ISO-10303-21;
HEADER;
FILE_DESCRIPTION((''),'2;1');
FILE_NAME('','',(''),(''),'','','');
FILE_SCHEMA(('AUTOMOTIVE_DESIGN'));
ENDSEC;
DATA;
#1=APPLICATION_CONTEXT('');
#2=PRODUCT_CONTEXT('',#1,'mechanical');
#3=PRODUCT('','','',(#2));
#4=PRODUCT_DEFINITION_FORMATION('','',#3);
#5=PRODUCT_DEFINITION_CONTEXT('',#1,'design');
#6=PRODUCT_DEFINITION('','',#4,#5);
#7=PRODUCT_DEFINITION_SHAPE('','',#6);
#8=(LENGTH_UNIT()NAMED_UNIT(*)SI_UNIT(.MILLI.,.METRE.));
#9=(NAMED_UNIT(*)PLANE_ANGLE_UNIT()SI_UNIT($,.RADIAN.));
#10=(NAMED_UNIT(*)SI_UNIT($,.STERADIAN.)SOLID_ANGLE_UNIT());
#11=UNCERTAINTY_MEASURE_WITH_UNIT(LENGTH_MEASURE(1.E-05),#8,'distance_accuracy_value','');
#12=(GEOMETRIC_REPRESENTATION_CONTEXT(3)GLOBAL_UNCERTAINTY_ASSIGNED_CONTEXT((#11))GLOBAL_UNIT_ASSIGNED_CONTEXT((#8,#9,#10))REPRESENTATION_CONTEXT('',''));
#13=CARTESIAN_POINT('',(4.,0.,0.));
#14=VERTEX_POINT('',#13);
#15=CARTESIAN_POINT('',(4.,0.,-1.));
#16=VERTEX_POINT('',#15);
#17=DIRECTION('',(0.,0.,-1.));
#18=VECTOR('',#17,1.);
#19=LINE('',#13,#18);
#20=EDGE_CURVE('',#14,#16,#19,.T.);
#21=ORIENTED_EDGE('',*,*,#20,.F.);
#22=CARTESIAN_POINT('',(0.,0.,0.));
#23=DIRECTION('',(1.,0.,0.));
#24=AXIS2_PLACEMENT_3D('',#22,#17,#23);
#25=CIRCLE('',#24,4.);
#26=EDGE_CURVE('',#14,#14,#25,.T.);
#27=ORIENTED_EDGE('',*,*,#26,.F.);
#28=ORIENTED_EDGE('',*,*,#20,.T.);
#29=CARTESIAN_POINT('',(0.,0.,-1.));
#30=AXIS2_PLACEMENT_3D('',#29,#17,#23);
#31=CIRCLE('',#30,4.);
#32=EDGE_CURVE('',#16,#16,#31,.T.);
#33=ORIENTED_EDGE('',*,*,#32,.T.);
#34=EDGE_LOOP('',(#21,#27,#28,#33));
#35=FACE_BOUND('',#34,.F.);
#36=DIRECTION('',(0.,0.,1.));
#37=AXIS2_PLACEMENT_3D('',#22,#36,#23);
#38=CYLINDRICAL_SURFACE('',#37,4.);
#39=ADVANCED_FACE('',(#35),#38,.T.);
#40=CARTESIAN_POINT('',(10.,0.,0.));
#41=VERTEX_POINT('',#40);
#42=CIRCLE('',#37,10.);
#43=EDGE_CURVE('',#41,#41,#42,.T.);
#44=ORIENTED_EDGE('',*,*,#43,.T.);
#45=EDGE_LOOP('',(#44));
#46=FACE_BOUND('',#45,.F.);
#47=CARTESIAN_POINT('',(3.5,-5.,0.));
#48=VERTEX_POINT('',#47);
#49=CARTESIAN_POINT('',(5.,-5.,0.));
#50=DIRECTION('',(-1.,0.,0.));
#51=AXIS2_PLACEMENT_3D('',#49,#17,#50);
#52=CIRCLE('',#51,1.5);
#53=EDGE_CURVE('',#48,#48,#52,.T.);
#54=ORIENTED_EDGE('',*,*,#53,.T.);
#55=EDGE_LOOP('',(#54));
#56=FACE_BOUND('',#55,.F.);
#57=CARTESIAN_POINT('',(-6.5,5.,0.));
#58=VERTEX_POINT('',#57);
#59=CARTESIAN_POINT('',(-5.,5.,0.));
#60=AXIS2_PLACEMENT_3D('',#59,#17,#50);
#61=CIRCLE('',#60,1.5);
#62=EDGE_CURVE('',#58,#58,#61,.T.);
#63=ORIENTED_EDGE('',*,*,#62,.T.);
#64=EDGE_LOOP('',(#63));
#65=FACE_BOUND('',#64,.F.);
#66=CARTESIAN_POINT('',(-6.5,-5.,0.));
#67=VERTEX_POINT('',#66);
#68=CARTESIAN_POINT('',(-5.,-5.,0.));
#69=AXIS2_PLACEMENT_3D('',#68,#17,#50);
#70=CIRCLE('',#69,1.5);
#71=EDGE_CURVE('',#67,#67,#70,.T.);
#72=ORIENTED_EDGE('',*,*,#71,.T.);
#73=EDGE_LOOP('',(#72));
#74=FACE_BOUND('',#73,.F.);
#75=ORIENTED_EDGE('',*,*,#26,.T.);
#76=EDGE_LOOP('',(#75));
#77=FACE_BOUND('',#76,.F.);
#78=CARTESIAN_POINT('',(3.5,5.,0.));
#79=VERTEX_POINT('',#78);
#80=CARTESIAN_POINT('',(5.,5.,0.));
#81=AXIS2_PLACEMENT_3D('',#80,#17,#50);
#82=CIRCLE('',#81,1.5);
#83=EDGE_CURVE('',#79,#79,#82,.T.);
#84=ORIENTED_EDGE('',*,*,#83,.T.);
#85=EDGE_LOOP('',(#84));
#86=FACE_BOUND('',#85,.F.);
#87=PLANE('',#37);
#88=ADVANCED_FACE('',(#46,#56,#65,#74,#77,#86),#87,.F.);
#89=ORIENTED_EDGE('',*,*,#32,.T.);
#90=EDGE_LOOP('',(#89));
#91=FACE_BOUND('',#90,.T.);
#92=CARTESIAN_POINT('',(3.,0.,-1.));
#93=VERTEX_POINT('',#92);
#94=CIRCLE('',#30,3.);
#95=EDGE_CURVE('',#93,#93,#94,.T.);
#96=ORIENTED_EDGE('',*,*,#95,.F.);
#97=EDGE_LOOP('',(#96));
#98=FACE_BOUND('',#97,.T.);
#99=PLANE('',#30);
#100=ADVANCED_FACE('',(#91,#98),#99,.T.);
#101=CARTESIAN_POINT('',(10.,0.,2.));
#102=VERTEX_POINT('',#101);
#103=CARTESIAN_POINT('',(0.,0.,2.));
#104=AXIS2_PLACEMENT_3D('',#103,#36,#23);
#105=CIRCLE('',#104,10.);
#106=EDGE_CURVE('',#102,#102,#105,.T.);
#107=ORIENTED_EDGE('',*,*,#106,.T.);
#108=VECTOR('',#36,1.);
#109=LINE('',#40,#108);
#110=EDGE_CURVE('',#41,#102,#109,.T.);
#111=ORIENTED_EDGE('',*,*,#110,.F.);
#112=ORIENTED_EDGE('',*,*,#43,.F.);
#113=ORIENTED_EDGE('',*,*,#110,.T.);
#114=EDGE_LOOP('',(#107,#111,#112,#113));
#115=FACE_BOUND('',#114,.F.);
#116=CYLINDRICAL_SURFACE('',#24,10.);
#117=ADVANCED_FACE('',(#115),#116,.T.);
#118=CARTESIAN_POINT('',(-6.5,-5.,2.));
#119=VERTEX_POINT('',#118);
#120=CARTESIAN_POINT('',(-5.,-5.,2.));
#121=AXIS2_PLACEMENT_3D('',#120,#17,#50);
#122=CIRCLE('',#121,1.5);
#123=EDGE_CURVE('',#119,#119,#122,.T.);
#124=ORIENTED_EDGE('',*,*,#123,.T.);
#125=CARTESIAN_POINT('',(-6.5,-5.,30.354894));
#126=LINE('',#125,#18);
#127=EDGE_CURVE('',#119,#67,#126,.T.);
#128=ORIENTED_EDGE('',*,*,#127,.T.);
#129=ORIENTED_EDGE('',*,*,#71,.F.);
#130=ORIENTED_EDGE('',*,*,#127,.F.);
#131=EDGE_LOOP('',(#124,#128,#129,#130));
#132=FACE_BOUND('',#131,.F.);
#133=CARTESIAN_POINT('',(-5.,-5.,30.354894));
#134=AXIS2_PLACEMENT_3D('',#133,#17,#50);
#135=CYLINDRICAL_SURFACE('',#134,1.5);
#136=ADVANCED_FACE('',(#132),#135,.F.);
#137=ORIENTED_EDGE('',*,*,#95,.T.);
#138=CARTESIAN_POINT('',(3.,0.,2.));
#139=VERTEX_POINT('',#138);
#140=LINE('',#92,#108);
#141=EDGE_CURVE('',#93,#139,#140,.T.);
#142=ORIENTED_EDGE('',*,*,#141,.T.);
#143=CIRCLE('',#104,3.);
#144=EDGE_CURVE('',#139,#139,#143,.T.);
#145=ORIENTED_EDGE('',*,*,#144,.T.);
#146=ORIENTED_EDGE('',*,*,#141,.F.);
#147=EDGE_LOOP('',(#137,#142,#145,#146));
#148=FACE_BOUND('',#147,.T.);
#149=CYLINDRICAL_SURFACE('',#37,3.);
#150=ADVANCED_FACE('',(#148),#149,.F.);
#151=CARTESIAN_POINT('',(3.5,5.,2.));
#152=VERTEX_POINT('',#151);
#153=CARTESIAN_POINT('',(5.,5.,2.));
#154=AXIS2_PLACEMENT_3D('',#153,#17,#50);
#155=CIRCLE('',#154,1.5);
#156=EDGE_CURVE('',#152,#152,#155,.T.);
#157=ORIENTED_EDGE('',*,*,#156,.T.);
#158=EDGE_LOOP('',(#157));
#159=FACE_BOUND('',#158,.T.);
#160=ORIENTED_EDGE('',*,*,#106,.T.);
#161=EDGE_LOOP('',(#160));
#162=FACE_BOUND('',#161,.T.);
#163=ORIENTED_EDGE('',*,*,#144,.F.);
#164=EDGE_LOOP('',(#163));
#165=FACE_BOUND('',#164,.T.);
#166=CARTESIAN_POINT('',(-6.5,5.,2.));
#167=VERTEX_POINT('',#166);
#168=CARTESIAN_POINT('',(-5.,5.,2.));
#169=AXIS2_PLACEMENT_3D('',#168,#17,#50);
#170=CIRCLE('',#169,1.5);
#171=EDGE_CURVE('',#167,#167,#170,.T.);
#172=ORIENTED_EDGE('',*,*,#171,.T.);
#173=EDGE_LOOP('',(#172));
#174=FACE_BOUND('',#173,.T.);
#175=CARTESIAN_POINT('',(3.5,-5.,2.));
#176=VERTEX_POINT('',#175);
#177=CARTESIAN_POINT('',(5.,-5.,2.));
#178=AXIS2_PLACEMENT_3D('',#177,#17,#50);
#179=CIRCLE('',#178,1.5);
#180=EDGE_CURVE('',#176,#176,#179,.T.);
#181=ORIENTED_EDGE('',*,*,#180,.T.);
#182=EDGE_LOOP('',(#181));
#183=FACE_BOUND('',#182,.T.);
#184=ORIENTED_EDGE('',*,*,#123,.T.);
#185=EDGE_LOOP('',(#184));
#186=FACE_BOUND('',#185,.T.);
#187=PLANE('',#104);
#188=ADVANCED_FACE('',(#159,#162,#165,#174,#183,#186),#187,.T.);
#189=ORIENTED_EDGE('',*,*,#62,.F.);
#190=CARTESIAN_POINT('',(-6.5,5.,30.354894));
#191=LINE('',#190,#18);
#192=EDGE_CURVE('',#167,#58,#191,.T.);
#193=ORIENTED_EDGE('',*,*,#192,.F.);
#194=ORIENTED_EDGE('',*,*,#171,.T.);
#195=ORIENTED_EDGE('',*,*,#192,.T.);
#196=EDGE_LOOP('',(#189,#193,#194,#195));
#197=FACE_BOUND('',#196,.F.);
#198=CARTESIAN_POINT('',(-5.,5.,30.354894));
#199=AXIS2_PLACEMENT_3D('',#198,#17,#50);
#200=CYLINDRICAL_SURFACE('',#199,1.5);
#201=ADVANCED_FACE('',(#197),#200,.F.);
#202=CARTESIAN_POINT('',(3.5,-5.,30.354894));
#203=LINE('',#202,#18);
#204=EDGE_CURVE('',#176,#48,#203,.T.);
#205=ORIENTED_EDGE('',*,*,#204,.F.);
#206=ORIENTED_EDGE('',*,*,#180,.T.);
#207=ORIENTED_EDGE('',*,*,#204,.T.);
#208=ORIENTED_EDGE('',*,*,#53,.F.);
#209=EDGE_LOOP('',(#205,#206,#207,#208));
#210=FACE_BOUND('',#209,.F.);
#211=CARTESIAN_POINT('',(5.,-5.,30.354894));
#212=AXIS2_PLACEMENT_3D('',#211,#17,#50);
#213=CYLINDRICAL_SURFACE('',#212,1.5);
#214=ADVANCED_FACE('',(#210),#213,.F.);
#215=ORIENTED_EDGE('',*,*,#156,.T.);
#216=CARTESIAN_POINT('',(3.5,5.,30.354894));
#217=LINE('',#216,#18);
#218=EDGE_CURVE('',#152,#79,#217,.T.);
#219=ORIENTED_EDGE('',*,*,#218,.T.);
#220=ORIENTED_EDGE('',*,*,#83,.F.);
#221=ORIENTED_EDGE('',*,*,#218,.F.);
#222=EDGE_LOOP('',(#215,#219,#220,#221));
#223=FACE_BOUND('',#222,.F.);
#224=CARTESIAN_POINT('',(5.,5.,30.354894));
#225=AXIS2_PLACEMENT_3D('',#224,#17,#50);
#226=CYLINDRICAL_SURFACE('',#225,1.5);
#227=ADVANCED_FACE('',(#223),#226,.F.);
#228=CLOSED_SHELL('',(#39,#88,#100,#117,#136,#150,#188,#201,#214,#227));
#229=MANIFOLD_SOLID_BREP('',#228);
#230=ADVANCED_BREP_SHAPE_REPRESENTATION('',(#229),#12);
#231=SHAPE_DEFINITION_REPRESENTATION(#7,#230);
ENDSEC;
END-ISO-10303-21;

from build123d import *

# Parameters (mm, degrees)
F0_R     = 10
F0_R_2   = 3
F1_DEPTH = 2
F3_D     = 3
F4_R     = 4
F4_R_2   = 3
F5_DEPTH = 1


with BuildPart() as f1:
    # F0 (on Top) → F1 (new body)
    with BuildSketch(Plane.XY):
        Circle(F0_R)
        Circle(F0_R_2, mode=Mode.SUBTRACT)
    extrude(amount=F1_DEPTH)

    # F3 (through all)
    with Locations(Plane.XY.offset(2)):
        with Locations((-5, 5), (5, 5), (5, -5), (-5, -5)):
            Hole(F3_D / 2)

    # F4 (on face) → F5 (join)
    with BuildSketch(Plane(origin=(0, 0, 0), x_dir=(1, 0, 0), z_dir=(0, 0, -1))):
        Circle(F4_R)
        Circle(F4_R_2, mode=Mode.SUBTRACT)
    extrude(amount=F5_DEPTH)


solid = f1.part
